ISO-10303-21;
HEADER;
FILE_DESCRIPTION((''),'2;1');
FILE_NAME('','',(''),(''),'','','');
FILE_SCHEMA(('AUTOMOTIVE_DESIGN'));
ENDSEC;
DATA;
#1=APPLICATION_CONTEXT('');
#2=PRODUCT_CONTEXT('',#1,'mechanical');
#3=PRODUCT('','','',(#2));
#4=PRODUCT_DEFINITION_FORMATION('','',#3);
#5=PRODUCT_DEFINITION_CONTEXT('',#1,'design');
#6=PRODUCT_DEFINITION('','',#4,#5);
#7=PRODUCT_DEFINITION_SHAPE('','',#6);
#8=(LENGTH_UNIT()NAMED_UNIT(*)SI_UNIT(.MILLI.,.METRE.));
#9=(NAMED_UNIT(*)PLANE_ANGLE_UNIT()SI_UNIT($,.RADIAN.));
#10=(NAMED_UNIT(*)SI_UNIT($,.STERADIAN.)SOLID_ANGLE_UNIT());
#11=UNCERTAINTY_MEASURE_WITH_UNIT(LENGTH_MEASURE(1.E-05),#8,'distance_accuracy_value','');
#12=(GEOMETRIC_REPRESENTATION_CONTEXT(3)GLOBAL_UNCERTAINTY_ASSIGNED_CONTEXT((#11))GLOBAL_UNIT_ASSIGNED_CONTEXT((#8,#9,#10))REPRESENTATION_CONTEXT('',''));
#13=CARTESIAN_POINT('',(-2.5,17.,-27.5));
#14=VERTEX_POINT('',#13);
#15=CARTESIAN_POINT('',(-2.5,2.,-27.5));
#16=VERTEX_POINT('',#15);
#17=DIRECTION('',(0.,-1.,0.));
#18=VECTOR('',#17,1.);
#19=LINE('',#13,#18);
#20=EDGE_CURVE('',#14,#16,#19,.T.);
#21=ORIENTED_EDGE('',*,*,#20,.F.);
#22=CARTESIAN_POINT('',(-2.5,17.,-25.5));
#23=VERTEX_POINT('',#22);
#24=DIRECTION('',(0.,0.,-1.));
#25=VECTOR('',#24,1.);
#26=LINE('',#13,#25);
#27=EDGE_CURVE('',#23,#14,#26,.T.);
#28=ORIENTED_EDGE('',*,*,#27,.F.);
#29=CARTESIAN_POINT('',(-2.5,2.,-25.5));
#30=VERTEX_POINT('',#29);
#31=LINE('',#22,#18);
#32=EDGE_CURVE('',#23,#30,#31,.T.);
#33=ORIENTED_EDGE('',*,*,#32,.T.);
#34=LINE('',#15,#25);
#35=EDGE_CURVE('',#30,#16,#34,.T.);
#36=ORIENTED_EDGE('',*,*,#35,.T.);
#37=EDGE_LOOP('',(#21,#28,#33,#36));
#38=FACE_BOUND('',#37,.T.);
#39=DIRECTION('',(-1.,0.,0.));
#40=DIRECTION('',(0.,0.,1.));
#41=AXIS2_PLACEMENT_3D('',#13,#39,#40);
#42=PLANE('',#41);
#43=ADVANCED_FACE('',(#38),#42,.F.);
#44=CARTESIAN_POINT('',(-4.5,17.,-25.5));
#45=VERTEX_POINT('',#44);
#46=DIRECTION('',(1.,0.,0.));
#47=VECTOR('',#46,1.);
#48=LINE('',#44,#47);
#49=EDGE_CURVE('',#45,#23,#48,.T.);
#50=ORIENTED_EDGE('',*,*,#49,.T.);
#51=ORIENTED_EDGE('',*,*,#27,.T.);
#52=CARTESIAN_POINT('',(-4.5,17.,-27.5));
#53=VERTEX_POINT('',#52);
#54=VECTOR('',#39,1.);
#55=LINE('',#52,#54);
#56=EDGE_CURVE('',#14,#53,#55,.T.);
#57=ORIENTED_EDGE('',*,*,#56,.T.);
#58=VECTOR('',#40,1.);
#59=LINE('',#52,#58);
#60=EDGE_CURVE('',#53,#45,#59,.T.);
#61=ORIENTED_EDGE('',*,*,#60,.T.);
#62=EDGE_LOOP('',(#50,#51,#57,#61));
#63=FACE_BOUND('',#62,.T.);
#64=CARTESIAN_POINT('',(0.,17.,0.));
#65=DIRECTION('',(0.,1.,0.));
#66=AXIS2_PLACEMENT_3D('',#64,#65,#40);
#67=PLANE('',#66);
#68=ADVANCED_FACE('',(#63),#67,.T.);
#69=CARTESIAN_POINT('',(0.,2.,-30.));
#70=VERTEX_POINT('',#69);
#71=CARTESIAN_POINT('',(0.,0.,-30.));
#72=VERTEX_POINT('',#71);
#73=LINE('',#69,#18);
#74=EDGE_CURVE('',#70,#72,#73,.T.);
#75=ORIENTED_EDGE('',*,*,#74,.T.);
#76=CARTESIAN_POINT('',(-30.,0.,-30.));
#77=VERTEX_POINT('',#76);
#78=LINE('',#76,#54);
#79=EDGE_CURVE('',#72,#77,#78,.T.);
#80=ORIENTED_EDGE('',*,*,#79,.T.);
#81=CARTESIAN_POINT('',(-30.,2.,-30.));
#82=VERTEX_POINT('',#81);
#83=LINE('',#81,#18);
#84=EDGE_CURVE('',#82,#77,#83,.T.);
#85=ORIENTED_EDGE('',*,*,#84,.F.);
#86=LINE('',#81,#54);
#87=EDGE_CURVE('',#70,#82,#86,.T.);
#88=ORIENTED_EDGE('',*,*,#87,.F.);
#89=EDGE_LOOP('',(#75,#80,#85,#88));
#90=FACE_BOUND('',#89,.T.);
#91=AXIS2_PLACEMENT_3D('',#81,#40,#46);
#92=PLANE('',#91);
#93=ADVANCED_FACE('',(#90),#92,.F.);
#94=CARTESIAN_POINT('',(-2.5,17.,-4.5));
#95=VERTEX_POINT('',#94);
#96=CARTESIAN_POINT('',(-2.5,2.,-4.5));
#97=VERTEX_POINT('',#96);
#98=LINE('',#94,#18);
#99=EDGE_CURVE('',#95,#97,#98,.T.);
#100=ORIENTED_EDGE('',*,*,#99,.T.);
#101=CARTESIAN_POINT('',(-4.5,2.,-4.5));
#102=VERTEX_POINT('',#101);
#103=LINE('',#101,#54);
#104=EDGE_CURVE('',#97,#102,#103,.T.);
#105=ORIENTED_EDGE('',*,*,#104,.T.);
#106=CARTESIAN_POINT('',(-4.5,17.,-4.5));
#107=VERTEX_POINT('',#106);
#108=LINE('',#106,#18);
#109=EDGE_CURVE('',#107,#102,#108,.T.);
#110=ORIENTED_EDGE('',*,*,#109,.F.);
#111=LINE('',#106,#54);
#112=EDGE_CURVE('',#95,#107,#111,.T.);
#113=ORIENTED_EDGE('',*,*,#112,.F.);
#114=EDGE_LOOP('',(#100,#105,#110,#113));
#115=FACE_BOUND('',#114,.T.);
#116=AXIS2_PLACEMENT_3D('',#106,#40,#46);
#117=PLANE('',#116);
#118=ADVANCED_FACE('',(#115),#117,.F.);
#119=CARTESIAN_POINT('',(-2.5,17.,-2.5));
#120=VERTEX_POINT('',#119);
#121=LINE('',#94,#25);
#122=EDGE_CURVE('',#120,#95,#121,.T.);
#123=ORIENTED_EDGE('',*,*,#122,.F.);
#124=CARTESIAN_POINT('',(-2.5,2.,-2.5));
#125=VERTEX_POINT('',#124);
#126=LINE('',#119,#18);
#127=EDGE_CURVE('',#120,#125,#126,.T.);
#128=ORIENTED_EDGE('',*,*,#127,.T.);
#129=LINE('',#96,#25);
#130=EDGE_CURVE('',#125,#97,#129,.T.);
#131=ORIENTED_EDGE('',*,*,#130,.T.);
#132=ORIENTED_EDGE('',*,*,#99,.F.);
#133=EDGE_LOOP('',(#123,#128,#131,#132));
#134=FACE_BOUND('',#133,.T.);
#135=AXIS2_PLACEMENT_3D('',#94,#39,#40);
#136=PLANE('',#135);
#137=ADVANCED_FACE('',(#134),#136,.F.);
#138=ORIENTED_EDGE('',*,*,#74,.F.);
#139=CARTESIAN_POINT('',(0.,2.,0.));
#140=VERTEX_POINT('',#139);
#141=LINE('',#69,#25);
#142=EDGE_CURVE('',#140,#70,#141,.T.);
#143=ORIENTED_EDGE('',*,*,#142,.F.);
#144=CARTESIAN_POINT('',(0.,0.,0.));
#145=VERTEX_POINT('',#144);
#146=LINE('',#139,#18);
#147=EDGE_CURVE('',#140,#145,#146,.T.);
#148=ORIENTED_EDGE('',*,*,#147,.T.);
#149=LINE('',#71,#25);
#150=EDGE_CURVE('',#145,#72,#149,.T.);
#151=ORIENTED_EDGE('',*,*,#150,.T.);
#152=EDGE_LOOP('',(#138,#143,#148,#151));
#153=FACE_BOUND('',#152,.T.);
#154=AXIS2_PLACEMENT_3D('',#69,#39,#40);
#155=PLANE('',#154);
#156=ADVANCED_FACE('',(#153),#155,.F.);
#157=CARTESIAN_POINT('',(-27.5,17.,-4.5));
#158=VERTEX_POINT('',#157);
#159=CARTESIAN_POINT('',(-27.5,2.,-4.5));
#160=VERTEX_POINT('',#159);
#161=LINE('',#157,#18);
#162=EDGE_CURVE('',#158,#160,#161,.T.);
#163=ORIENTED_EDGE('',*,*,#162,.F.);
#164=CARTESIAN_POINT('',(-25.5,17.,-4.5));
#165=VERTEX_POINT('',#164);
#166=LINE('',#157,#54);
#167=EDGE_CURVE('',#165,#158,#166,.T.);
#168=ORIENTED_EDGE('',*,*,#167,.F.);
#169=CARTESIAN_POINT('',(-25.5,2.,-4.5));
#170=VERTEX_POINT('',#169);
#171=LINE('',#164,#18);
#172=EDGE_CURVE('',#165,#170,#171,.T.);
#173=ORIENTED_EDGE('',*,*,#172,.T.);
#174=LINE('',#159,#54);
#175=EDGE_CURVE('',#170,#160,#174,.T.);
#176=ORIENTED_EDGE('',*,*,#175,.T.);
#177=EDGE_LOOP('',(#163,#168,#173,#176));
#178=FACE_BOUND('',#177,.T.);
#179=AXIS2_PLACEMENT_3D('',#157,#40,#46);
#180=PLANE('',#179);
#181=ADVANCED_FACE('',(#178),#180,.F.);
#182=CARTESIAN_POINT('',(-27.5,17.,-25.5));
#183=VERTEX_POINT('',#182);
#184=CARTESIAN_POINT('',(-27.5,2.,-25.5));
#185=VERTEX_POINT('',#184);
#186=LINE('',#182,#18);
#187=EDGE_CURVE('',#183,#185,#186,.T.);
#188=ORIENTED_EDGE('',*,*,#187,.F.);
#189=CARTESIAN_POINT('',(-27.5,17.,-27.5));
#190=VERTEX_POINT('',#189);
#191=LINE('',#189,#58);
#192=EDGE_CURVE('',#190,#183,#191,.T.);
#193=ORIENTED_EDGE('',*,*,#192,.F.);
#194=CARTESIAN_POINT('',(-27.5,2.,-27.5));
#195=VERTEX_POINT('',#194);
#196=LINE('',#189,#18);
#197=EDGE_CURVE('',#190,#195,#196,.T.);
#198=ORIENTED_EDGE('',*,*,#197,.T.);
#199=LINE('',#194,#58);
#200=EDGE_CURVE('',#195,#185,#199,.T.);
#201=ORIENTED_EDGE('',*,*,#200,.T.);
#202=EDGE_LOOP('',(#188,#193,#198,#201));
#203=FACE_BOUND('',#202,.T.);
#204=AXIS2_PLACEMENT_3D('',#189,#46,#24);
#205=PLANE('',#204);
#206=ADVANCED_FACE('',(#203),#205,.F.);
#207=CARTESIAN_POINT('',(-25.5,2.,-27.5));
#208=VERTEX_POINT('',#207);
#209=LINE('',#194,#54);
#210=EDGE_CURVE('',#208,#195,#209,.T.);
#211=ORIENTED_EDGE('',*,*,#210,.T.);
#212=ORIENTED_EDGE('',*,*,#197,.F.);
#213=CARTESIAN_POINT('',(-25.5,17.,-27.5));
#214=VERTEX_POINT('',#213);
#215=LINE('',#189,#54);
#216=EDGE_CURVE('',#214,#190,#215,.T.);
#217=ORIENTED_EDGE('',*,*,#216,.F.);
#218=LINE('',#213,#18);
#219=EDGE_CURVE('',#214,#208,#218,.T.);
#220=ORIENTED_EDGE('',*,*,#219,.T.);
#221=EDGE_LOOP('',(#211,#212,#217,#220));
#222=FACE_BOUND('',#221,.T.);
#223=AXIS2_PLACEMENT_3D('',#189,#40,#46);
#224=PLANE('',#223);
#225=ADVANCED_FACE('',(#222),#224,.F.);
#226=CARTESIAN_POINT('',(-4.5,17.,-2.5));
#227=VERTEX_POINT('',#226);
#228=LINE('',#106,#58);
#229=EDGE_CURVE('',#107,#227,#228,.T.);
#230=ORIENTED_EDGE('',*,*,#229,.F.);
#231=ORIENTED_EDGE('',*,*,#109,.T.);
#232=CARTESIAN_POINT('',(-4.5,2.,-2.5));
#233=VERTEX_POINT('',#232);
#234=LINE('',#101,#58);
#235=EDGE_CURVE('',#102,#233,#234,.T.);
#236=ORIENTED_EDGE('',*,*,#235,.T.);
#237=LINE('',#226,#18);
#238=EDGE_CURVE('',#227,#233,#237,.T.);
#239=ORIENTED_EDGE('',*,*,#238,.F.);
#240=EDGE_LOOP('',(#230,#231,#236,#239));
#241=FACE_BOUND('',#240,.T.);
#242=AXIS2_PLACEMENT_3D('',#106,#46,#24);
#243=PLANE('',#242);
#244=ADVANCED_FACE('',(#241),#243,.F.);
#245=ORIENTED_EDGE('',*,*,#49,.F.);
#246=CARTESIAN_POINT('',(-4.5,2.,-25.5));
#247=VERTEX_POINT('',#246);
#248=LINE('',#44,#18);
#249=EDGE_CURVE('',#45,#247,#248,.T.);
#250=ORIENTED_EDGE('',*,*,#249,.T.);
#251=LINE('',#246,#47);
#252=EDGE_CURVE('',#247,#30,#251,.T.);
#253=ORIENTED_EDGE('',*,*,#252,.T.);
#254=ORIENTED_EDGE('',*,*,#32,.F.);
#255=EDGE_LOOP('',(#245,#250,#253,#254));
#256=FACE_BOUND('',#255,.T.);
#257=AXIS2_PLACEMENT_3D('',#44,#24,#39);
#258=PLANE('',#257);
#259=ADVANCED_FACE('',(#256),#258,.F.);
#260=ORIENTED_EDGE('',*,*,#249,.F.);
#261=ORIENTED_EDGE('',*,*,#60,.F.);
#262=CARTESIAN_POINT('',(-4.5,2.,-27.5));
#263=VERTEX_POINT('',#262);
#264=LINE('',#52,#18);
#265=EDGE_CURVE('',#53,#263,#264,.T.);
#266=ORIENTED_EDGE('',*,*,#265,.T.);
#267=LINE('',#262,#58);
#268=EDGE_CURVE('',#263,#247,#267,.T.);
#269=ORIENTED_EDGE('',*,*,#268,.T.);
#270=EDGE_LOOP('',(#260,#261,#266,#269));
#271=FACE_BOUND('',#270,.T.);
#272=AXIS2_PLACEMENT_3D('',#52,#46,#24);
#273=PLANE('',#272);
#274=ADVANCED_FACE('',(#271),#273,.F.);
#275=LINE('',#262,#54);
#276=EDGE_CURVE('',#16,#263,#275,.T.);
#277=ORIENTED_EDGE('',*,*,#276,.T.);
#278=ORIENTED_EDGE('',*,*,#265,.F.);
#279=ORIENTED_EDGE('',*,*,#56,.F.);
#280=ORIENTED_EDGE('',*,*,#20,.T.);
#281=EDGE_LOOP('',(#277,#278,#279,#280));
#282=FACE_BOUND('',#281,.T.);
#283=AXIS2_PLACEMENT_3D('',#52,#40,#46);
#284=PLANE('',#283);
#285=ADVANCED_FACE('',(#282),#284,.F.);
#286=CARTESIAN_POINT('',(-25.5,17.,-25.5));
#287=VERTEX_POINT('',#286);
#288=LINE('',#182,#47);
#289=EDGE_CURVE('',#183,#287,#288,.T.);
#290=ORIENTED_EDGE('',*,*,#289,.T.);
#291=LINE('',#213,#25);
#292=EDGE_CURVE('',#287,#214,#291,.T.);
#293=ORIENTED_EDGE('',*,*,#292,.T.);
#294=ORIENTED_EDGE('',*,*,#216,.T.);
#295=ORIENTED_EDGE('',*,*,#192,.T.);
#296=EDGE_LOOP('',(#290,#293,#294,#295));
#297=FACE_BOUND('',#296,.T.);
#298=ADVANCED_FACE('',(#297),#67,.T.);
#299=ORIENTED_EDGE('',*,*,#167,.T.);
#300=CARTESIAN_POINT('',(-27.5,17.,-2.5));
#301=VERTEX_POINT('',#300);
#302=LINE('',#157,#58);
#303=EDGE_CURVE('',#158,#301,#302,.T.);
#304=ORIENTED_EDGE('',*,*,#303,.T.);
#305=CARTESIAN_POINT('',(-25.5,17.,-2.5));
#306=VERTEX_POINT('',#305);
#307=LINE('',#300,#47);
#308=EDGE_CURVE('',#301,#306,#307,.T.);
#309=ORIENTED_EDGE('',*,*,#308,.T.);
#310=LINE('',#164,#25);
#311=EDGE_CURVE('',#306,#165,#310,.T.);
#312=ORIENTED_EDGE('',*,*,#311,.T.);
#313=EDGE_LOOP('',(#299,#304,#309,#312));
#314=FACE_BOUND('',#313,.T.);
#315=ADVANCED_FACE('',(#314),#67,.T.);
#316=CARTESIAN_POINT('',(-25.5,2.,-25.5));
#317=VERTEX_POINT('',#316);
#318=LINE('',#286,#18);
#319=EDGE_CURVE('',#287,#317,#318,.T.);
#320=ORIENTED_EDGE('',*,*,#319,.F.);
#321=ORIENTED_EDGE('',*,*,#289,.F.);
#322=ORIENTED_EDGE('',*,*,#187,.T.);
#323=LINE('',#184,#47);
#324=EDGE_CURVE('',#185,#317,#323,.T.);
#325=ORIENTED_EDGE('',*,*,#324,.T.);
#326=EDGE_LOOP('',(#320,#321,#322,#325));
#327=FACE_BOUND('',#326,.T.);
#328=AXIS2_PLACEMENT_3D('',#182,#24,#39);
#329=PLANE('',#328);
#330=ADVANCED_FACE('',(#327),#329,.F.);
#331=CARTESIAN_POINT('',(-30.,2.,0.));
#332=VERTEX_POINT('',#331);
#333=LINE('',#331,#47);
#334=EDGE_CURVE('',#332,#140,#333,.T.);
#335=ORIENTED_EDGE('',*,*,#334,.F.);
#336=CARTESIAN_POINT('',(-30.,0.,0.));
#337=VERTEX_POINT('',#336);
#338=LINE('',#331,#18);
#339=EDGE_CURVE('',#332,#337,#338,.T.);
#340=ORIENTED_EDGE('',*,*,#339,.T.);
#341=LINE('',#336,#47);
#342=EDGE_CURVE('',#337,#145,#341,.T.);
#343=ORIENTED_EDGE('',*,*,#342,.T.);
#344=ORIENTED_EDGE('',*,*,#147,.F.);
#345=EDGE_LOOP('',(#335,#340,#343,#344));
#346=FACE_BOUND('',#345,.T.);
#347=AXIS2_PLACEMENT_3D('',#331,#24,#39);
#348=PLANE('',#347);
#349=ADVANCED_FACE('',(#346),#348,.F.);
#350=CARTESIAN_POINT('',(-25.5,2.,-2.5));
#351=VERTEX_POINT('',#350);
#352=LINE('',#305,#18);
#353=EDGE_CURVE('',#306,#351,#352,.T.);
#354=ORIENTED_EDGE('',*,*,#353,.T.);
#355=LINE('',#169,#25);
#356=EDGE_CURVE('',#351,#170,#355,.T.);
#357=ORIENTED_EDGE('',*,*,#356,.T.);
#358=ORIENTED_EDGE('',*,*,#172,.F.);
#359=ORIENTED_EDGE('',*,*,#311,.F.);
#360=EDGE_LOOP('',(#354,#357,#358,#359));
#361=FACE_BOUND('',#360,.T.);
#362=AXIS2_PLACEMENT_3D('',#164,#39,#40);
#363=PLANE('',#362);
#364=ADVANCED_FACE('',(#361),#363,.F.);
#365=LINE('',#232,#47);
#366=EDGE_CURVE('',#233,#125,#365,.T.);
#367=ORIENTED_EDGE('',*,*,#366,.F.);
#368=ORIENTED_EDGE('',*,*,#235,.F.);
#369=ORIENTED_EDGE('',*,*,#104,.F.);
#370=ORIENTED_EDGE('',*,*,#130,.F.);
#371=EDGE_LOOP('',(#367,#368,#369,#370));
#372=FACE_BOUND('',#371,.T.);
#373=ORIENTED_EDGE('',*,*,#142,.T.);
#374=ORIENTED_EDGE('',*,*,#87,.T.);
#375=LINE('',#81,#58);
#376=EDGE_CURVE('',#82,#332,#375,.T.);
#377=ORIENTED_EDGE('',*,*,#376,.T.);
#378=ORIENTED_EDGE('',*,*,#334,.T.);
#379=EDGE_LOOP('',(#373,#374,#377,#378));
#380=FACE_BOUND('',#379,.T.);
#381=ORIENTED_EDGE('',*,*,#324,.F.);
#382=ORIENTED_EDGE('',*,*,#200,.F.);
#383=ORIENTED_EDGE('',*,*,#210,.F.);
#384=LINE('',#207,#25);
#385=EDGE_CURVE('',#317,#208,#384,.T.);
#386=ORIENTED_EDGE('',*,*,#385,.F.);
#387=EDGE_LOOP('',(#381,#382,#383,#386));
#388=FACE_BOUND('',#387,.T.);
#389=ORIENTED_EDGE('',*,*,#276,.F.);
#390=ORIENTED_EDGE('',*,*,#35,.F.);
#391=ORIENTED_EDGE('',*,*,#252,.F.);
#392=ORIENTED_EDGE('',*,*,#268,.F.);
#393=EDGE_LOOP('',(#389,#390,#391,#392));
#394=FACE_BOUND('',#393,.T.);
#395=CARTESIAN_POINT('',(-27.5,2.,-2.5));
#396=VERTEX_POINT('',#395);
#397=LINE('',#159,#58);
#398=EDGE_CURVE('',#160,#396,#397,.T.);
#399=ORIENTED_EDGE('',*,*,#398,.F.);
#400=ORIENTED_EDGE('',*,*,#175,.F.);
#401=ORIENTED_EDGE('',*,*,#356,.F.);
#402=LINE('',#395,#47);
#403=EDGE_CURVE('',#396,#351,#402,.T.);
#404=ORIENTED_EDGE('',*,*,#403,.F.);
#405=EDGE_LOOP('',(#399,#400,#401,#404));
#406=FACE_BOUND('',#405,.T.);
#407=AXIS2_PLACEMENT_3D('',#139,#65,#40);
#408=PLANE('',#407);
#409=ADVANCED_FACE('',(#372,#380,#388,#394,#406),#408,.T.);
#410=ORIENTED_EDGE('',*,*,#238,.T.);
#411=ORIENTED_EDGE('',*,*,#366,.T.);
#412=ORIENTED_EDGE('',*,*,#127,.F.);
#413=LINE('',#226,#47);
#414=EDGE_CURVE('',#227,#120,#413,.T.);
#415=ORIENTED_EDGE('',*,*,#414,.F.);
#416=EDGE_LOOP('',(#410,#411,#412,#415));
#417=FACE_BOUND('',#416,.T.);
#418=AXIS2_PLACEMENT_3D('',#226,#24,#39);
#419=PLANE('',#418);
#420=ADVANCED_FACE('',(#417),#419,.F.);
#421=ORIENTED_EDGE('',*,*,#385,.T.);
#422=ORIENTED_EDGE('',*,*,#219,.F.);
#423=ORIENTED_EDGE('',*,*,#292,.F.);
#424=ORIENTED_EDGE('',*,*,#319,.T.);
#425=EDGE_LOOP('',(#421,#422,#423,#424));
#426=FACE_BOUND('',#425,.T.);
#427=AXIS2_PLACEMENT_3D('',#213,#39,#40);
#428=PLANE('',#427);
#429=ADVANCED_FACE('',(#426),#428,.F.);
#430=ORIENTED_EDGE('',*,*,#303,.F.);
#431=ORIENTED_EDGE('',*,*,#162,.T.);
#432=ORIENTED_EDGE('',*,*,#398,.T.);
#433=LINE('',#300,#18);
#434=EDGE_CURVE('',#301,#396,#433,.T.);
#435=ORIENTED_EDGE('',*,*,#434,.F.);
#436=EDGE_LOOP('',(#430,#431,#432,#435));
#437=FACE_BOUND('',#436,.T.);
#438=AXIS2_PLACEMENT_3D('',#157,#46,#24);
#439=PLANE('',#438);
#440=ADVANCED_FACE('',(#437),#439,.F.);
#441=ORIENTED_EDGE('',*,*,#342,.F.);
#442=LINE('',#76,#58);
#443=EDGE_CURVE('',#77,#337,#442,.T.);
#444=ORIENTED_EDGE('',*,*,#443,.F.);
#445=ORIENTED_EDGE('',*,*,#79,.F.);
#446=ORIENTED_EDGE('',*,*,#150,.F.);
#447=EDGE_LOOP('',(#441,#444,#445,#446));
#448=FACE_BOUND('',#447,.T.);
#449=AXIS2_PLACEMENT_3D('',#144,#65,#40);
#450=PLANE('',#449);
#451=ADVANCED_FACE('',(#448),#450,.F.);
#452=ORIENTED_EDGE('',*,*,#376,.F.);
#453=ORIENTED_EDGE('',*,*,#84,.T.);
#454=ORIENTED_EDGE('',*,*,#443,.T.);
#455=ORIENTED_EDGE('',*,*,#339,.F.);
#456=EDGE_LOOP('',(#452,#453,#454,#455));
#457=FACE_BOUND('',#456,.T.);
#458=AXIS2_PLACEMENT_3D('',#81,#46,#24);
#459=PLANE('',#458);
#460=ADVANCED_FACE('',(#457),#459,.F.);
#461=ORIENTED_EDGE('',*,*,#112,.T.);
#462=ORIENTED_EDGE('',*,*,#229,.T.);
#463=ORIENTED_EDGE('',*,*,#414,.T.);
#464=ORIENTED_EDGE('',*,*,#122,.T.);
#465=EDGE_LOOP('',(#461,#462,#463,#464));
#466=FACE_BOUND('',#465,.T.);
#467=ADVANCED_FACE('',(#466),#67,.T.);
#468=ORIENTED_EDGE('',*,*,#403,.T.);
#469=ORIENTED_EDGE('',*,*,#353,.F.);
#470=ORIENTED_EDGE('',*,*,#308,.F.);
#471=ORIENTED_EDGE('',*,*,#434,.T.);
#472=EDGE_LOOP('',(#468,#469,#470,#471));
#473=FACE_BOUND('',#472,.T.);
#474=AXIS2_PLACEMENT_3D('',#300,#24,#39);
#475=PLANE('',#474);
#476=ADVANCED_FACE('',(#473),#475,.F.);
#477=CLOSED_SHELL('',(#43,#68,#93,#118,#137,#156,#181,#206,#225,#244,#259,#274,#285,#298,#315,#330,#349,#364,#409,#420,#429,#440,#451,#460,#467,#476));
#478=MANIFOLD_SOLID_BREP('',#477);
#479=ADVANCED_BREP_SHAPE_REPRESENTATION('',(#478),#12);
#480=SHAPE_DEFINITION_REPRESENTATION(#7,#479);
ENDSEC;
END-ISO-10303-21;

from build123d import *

# Parameters (mm, degrees)
SKETCH1_W           = 30
SKETCH1_H           = 30
BOSS_EXTRUDE1_DEPTH = 2
SKETCH2_W           = 2
SKETCH2_H           = 2
BOSS_EXTRUDE2_DEPTH = 15


with BuildPart() as part:
    # Sketch1 → Boss-Extrude1 (new body)
    with BuildSketch(Plane(origin=(0, 0, 0), x_dir=(1, 0, 0), z_dir=(0, 1, 0))):
        with Locations((-15, 15)):
            Rectangle(SKETCH1_W, SKETCH1_H)
    extrude(amount=BOSS_EXTRUDE1_DEPTH)

    # Sketch2 → Boss-Extrude2 (add)
    with BuildSketch(Plane(origin=(0, 2, 0), x_dir=(1, 0, 0), z_dir=(0, 1, 0))):
        with Locations((-26.5, 26.5)):
            Rectangle(SKETCH2_W, SKETCH2_H)
        with Locations((-3.5, 26.5)):
            Rectangle(SKETCH2_W, SKETCH2_H)
        with Locations((-3.5, 3.5)):
            Rectangle(SKETCH2_W, SKETCH2_H)
        with Locations((-26.5, 3.5)):
            Rectangle(SKETCH2_W, SKETCH2_H)
    extrude(amount=BOSS_EXTRUDE2_DEPTH)


solid = part.part
